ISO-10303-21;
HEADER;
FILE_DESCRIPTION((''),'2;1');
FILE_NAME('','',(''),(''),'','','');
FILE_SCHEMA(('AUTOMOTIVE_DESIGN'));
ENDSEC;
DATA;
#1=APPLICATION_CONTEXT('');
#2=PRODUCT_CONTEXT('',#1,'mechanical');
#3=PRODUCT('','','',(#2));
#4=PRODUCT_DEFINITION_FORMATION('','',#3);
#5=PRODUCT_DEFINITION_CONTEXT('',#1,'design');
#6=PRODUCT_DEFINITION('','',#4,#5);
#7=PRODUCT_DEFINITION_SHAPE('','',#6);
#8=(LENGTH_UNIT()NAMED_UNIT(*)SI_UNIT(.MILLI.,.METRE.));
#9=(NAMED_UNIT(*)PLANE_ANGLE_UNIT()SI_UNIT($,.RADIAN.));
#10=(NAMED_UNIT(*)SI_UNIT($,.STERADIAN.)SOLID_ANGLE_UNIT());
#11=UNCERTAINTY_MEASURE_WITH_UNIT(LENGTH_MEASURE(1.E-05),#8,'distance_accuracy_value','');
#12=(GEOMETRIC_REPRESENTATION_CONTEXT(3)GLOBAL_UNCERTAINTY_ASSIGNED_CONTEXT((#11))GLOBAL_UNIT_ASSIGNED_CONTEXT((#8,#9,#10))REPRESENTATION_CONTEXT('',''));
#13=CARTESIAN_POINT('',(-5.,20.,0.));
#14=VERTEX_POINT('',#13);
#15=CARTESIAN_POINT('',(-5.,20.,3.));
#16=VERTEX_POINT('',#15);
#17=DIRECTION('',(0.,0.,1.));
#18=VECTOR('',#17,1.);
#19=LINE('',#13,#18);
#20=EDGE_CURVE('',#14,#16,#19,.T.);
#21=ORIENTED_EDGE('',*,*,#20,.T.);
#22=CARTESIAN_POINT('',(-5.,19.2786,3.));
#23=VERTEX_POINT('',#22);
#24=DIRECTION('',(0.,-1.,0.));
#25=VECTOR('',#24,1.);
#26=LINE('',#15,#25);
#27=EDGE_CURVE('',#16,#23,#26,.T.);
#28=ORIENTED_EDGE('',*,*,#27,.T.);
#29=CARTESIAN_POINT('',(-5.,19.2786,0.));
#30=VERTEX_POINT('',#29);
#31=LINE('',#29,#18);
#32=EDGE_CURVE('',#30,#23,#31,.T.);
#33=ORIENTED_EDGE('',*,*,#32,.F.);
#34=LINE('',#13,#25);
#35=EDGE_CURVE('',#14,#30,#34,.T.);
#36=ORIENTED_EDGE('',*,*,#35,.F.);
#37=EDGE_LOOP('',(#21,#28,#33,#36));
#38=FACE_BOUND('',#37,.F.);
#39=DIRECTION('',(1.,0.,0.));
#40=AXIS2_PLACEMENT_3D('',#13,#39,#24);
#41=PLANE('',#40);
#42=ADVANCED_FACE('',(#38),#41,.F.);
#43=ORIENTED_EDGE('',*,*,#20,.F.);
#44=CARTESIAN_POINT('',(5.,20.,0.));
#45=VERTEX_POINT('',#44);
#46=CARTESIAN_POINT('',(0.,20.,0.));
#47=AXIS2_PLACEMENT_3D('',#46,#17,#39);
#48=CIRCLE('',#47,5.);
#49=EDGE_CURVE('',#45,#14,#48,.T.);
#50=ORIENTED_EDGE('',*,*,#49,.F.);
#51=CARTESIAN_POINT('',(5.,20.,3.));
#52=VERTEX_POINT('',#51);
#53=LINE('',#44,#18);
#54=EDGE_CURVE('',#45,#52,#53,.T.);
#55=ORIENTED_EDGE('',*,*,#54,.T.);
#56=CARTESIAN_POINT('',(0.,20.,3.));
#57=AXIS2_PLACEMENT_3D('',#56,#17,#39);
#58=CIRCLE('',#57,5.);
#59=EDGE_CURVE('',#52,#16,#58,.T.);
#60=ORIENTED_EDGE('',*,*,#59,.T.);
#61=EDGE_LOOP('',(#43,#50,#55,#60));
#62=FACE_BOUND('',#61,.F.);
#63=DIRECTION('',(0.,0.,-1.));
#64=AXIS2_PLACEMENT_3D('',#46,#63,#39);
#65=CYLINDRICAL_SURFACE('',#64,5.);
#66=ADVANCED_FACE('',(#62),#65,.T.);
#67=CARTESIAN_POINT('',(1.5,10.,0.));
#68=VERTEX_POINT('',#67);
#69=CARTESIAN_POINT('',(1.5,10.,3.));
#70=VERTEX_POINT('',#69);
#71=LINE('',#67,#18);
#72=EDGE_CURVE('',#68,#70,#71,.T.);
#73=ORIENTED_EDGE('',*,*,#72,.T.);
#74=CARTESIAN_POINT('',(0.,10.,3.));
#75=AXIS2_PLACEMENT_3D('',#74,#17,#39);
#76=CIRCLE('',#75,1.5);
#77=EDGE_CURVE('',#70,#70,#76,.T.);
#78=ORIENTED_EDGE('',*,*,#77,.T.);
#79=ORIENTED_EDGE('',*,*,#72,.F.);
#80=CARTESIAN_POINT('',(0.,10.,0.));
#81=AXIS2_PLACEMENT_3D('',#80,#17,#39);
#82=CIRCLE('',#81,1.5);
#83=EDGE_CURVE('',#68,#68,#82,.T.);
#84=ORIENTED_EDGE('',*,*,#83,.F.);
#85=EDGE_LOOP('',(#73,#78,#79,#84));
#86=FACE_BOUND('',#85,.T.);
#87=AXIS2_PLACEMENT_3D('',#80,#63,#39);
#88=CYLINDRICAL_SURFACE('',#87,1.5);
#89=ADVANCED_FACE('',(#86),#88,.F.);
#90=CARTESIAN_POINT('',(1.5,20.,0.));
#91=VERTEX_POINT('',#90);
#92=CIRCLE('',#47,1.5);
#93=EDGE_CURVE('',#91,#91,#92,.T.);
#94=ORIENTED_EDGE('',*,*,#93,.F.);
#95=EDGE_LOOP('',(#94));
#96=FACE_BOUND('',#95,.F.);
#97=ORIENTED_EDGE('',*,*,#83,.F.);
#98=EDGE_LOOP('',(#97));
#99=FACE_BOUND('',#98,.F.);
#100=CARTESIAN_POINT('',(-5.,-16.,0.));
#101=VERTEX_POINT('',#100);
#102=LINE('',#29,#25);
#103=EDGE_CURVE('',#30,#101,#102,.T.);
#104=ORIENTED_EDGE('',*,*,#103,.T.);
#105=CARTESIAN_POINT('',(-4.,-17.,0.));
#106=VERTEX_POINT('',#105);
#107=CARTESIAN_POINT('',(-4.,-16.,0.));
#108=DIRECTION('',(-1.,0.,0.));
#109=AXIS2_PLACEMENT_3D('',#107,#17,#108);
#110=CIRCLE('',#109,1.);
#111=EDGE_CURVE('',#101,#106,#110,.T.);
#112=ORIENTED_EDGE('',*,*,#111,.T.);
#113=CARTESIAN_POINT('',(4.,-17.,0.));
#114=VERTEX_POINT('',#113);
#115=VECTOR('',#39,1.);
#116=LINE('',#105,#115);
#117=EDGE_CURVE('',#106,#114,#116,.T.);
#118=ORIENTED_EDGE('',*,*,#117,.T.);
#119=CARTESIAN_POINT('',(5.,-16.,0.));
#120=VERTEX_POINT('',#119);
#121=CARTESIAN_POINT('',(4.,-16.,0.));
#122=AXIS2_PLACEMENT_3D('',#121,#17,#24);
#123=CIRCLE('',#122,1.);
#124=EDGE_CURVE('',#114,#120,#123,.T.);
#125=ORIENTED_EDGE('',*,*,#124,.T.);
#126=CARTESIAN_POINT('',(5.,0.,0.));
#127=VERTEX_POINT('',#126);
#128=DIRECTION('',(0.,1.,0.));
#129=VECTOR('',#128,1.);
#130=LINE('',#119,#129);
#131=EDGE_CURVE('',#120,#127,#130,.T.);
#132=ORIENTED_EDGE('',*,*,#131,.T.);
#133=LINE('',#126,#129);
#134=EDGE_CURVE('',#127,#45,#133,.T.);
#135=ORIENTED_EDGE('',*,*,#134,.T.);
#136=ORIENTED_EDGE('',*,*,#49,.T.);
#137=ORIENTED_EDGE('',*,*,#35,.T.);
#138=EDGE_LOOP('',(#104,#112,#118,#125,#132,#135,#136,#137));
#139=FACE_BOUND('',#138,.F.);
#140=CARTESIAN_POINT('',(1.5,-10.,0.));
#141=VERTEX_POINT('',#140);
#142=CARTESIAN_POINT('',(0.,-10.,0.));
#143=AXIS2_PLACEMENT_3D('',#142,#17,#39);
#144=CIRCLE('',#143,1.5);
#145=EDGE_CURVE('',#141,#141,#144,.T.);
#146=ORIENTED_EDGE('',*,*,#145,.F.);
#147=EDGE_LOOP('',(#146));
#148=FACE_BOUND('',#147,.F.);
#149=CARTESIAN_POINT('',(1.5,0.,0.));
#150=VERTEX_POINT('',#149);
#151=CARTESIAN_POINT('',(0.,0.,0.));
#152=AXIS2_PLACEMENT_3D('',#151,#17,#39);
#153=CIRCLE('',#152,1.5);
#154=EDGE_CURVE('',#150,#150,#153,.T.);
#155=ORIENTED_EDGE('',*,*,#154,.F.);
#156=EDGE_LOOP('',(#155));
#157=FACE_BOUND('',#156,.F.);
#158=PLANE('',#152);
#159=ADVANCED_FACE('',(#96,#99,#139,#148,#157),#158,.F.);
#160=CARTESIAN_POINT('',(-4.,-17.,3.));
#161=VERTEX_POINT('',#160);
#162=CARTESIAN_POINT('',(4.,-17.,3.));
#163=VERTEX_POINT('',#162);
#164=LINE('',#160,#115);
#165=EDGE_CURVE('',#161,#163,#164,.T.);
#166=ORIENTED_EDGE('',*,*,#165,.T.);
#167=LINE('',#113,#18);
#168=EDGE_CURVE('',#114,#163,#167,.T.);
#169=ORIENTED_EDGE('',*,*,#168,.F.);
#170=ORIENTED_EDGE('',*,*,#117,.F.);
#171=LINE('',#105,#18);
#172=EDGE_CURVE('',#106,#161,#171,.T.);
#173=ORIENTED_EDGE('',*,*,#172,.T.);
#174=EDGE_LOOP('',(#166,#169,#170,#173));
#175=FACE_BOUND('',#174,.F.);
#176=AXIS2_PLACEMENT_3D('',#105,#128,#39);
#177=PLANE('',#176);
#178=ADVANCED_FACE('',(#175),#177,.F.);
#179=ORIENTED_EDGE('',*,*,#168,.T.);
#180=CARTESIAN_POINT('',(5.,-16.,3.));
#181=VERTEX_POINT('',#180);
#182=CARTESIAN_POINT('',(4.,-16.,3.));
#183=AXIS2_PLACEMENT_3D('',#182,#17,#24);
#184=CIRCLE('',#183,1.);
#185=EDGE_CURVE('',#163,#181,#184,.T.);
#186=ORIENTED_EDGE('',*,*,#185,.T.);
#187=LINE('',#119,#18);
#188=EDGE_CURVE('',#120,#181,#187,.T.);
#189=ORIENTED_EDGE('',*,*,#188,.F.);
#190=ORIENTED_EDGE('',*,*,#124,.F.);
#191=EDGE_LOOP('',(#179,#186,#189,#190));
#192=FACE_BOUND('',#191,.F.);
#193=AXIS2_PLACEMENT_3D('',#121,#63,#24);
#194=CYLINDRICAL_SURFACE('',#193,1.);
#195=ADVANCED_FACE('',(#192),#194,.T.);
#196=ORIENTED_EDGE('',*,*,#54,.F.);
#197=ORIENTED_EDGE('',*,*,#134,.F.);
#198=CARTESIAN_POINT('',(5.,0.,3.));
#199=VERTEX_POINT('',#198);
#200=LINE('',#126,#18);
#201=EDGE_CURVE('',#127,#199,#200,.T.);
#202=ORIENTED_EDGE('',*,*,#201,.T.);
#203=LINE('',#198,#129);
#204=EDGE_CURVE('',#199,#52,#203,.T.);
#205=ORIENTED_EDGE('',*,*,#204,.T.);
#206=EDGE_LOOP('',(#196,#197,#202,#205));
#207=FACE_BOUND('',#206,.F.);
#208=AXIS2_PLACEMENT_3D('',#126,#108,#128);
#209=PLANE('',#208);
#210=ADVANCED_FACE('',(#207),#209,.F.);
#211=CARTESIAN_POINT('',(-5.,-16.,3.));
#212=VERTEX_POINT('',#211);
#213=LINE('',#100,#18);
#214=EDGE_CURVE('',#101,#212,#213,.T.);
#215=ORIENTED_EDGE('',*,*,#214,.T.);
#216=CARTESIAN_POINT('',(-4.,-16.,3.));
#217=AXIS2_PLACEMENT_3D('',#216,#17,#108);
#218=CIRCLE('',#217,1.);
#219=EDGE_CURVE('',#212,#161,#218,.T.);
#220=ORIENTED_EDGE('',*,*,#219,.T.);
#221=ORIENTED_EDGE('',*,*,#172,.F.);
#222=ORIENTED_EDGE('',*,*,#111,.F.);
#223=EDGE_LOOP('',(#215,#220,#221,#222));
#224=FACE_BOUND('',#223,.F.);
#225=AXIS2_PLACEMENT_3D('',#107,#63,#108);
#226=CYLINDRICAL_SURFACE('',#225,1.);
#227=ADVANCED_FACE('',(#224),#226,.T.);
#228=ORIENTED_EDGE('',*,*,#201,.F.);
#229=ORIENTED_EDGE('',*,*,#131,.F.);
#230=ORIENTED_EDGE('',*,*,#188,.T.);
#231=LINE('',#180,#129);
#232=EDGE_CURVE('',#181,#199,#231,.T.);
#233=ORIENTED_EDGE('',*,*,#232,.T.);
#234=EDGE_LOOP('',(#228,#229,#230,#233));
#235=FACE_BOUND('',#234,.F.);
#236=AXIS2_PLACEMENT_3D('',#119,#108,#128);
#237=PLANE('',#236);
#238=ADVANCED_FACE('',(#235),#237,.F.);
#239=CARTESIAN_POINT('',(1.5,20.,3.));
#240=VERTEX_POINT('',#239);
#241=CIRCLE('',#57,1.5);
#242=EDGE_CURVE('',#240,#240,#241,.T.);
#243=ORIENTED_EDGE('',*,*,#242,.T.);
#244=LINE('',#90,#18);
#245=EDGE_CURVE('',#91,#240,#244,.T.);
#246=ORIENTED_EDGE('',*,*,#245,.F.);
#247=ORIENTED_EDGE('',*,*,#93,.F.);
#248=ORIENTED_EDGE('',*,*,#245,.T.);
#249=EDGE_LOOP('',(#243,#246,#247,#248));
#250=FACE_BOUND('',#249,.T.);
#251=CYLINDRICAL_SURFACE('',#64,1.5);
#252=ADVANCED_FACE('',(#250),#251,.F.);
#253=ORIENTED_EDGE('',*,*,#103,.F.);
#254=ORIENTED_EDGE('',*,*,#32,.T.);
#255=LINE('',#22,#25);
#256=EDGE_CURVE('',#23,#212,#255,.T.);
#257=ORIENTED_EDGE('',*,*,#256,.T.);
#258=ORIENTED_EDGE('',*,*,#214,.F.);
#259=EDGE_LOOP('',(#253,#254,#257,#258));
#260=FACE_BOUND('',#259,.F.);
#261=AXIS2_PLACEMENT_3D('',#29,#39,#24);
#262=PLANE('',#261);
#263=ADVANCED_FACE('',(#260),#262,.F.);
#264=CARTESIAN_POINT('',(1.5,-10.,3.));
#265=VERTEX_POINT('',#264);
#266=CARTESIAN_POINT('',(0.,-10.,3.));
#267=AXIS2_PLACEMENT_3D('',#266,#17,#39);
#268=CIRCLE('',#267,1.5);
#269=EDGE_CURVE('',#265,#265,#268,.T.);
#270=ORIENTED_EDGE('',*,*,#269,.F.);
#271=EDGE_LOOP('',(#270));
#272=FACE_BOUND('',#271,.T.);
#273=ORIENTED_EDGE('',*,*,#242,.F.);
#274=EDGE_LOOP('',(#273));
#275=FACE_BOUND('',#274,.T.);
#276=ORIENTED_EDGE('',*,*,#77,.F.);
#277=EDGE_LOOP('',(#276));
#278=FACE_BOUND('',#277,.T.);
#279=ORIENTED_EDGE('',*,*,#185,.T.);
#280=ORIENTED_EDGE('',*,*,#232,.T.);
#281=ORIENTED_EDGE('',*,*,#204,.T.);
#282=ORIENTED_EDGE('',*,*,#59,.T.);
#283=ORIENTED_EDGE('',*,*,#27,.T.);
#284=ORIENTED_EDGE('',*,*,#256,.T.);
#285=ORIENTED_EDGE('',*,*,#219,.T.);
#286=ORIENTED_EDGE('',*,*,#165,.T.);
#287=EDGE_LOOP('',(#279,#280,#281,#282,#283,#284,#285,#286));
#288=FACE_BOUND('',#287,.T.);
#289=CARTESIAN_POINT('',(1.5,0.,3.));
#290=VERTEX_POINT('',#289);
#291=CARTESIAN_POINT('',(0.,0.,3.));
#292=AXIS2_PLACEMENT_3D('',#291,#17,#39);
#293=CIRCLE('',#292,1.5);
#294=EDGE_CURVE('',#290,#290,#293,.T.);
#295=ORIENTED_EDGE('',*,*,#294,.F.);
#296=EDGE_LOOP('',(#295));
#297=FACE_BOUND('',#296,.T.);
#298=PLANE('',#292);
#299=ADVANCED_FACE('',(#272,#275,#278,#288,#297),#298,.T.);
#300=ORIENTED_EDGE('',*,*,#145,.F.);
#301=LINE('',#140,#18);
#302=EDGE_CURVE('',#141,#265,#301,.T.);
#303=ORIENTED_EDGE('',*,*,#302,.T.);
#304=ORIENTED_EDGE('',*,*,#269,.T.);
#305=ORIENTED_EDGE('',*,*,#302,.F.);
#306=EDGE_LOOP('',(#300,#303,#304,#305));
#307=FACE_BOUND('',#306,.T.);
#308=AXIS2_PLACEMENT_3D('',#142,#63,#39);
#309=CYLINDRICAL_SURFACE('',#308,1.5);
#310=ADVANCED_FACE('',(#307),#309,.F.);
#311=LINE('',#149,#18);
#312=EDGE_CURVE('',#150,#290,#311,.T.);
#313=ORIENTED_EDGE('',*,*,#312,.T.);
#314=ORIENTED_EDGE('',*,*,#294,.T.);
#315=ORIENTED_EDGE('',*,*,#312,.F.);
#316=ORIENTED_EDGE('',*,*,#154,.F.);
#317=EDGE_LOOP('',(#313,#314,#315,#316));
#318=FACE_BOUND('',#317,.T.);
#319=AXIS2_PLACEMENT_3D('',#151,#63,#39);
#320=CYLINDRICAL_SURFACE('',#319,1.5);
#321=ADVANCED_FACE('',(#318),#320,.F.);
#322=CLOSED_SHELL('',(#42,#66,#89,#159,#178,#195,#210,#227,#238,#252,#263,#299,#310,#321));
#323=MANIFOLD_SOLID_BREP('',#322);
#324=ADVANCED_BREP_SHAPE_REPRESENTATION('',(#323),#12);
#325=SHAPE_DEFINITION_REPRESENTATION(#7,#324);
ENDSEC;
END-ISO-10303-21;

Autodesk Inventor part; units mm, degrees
ref_plane "YZ Plane" through (0, 0, 0) normal (1, 0, 0) x (0, 1, 0)
ref_plane "XZ Plane" through (0, 0, 0) normal (0, 1, 0) x (-1, 0, 0)
ref_plane "XY Plane" through (0, 0, 0) normal (0, 0, 1) x (1, 0, 0)
sketch "Sketch1" plane through (0, 0, 0) normal (0, 0, 1) x (1, 0, 0)
  line L0 (0, 0) -> (0, 20) construction
  line L1 (5, 0) -> (5, 20)
  line L2 (-5, 20) -> (-5, 19.2786)
  arc A0 (5, 20) -> (-5, 20) centre (0, 20) ccw
  circle A1 centre (0, 20) radius 1.5
  circle A2 centre (0, 10) radius 1.5
  circle A3 centre (0, 0) radius 1.5
  line L3 (-5, 19.2786) -> (-5, -16)
  line L4 (-4, -17) -> (4, -17)
  line L5 (5, -16) -> (5, 0)
  arc A4 (-5, -16) -> (-4, -17) centre (-4, -16) ccw
  arc A5 (4, -17) -> (5, -16) centre (4, -16) ccw
  circle A6 centre (0, -10) radius 1.5
  dimension "d0" = 10
  dimension "d1" = 20
  dimension "d2" = 3
  dimension "d5" = 1
  dimension "d6" = 17
  dimension "d7" = 3
  dimension "d8" = 10
extrude "Extrusion1" add sketch "Sketch1" along normal blind 3
properties part number "Slider_1_spacer"
